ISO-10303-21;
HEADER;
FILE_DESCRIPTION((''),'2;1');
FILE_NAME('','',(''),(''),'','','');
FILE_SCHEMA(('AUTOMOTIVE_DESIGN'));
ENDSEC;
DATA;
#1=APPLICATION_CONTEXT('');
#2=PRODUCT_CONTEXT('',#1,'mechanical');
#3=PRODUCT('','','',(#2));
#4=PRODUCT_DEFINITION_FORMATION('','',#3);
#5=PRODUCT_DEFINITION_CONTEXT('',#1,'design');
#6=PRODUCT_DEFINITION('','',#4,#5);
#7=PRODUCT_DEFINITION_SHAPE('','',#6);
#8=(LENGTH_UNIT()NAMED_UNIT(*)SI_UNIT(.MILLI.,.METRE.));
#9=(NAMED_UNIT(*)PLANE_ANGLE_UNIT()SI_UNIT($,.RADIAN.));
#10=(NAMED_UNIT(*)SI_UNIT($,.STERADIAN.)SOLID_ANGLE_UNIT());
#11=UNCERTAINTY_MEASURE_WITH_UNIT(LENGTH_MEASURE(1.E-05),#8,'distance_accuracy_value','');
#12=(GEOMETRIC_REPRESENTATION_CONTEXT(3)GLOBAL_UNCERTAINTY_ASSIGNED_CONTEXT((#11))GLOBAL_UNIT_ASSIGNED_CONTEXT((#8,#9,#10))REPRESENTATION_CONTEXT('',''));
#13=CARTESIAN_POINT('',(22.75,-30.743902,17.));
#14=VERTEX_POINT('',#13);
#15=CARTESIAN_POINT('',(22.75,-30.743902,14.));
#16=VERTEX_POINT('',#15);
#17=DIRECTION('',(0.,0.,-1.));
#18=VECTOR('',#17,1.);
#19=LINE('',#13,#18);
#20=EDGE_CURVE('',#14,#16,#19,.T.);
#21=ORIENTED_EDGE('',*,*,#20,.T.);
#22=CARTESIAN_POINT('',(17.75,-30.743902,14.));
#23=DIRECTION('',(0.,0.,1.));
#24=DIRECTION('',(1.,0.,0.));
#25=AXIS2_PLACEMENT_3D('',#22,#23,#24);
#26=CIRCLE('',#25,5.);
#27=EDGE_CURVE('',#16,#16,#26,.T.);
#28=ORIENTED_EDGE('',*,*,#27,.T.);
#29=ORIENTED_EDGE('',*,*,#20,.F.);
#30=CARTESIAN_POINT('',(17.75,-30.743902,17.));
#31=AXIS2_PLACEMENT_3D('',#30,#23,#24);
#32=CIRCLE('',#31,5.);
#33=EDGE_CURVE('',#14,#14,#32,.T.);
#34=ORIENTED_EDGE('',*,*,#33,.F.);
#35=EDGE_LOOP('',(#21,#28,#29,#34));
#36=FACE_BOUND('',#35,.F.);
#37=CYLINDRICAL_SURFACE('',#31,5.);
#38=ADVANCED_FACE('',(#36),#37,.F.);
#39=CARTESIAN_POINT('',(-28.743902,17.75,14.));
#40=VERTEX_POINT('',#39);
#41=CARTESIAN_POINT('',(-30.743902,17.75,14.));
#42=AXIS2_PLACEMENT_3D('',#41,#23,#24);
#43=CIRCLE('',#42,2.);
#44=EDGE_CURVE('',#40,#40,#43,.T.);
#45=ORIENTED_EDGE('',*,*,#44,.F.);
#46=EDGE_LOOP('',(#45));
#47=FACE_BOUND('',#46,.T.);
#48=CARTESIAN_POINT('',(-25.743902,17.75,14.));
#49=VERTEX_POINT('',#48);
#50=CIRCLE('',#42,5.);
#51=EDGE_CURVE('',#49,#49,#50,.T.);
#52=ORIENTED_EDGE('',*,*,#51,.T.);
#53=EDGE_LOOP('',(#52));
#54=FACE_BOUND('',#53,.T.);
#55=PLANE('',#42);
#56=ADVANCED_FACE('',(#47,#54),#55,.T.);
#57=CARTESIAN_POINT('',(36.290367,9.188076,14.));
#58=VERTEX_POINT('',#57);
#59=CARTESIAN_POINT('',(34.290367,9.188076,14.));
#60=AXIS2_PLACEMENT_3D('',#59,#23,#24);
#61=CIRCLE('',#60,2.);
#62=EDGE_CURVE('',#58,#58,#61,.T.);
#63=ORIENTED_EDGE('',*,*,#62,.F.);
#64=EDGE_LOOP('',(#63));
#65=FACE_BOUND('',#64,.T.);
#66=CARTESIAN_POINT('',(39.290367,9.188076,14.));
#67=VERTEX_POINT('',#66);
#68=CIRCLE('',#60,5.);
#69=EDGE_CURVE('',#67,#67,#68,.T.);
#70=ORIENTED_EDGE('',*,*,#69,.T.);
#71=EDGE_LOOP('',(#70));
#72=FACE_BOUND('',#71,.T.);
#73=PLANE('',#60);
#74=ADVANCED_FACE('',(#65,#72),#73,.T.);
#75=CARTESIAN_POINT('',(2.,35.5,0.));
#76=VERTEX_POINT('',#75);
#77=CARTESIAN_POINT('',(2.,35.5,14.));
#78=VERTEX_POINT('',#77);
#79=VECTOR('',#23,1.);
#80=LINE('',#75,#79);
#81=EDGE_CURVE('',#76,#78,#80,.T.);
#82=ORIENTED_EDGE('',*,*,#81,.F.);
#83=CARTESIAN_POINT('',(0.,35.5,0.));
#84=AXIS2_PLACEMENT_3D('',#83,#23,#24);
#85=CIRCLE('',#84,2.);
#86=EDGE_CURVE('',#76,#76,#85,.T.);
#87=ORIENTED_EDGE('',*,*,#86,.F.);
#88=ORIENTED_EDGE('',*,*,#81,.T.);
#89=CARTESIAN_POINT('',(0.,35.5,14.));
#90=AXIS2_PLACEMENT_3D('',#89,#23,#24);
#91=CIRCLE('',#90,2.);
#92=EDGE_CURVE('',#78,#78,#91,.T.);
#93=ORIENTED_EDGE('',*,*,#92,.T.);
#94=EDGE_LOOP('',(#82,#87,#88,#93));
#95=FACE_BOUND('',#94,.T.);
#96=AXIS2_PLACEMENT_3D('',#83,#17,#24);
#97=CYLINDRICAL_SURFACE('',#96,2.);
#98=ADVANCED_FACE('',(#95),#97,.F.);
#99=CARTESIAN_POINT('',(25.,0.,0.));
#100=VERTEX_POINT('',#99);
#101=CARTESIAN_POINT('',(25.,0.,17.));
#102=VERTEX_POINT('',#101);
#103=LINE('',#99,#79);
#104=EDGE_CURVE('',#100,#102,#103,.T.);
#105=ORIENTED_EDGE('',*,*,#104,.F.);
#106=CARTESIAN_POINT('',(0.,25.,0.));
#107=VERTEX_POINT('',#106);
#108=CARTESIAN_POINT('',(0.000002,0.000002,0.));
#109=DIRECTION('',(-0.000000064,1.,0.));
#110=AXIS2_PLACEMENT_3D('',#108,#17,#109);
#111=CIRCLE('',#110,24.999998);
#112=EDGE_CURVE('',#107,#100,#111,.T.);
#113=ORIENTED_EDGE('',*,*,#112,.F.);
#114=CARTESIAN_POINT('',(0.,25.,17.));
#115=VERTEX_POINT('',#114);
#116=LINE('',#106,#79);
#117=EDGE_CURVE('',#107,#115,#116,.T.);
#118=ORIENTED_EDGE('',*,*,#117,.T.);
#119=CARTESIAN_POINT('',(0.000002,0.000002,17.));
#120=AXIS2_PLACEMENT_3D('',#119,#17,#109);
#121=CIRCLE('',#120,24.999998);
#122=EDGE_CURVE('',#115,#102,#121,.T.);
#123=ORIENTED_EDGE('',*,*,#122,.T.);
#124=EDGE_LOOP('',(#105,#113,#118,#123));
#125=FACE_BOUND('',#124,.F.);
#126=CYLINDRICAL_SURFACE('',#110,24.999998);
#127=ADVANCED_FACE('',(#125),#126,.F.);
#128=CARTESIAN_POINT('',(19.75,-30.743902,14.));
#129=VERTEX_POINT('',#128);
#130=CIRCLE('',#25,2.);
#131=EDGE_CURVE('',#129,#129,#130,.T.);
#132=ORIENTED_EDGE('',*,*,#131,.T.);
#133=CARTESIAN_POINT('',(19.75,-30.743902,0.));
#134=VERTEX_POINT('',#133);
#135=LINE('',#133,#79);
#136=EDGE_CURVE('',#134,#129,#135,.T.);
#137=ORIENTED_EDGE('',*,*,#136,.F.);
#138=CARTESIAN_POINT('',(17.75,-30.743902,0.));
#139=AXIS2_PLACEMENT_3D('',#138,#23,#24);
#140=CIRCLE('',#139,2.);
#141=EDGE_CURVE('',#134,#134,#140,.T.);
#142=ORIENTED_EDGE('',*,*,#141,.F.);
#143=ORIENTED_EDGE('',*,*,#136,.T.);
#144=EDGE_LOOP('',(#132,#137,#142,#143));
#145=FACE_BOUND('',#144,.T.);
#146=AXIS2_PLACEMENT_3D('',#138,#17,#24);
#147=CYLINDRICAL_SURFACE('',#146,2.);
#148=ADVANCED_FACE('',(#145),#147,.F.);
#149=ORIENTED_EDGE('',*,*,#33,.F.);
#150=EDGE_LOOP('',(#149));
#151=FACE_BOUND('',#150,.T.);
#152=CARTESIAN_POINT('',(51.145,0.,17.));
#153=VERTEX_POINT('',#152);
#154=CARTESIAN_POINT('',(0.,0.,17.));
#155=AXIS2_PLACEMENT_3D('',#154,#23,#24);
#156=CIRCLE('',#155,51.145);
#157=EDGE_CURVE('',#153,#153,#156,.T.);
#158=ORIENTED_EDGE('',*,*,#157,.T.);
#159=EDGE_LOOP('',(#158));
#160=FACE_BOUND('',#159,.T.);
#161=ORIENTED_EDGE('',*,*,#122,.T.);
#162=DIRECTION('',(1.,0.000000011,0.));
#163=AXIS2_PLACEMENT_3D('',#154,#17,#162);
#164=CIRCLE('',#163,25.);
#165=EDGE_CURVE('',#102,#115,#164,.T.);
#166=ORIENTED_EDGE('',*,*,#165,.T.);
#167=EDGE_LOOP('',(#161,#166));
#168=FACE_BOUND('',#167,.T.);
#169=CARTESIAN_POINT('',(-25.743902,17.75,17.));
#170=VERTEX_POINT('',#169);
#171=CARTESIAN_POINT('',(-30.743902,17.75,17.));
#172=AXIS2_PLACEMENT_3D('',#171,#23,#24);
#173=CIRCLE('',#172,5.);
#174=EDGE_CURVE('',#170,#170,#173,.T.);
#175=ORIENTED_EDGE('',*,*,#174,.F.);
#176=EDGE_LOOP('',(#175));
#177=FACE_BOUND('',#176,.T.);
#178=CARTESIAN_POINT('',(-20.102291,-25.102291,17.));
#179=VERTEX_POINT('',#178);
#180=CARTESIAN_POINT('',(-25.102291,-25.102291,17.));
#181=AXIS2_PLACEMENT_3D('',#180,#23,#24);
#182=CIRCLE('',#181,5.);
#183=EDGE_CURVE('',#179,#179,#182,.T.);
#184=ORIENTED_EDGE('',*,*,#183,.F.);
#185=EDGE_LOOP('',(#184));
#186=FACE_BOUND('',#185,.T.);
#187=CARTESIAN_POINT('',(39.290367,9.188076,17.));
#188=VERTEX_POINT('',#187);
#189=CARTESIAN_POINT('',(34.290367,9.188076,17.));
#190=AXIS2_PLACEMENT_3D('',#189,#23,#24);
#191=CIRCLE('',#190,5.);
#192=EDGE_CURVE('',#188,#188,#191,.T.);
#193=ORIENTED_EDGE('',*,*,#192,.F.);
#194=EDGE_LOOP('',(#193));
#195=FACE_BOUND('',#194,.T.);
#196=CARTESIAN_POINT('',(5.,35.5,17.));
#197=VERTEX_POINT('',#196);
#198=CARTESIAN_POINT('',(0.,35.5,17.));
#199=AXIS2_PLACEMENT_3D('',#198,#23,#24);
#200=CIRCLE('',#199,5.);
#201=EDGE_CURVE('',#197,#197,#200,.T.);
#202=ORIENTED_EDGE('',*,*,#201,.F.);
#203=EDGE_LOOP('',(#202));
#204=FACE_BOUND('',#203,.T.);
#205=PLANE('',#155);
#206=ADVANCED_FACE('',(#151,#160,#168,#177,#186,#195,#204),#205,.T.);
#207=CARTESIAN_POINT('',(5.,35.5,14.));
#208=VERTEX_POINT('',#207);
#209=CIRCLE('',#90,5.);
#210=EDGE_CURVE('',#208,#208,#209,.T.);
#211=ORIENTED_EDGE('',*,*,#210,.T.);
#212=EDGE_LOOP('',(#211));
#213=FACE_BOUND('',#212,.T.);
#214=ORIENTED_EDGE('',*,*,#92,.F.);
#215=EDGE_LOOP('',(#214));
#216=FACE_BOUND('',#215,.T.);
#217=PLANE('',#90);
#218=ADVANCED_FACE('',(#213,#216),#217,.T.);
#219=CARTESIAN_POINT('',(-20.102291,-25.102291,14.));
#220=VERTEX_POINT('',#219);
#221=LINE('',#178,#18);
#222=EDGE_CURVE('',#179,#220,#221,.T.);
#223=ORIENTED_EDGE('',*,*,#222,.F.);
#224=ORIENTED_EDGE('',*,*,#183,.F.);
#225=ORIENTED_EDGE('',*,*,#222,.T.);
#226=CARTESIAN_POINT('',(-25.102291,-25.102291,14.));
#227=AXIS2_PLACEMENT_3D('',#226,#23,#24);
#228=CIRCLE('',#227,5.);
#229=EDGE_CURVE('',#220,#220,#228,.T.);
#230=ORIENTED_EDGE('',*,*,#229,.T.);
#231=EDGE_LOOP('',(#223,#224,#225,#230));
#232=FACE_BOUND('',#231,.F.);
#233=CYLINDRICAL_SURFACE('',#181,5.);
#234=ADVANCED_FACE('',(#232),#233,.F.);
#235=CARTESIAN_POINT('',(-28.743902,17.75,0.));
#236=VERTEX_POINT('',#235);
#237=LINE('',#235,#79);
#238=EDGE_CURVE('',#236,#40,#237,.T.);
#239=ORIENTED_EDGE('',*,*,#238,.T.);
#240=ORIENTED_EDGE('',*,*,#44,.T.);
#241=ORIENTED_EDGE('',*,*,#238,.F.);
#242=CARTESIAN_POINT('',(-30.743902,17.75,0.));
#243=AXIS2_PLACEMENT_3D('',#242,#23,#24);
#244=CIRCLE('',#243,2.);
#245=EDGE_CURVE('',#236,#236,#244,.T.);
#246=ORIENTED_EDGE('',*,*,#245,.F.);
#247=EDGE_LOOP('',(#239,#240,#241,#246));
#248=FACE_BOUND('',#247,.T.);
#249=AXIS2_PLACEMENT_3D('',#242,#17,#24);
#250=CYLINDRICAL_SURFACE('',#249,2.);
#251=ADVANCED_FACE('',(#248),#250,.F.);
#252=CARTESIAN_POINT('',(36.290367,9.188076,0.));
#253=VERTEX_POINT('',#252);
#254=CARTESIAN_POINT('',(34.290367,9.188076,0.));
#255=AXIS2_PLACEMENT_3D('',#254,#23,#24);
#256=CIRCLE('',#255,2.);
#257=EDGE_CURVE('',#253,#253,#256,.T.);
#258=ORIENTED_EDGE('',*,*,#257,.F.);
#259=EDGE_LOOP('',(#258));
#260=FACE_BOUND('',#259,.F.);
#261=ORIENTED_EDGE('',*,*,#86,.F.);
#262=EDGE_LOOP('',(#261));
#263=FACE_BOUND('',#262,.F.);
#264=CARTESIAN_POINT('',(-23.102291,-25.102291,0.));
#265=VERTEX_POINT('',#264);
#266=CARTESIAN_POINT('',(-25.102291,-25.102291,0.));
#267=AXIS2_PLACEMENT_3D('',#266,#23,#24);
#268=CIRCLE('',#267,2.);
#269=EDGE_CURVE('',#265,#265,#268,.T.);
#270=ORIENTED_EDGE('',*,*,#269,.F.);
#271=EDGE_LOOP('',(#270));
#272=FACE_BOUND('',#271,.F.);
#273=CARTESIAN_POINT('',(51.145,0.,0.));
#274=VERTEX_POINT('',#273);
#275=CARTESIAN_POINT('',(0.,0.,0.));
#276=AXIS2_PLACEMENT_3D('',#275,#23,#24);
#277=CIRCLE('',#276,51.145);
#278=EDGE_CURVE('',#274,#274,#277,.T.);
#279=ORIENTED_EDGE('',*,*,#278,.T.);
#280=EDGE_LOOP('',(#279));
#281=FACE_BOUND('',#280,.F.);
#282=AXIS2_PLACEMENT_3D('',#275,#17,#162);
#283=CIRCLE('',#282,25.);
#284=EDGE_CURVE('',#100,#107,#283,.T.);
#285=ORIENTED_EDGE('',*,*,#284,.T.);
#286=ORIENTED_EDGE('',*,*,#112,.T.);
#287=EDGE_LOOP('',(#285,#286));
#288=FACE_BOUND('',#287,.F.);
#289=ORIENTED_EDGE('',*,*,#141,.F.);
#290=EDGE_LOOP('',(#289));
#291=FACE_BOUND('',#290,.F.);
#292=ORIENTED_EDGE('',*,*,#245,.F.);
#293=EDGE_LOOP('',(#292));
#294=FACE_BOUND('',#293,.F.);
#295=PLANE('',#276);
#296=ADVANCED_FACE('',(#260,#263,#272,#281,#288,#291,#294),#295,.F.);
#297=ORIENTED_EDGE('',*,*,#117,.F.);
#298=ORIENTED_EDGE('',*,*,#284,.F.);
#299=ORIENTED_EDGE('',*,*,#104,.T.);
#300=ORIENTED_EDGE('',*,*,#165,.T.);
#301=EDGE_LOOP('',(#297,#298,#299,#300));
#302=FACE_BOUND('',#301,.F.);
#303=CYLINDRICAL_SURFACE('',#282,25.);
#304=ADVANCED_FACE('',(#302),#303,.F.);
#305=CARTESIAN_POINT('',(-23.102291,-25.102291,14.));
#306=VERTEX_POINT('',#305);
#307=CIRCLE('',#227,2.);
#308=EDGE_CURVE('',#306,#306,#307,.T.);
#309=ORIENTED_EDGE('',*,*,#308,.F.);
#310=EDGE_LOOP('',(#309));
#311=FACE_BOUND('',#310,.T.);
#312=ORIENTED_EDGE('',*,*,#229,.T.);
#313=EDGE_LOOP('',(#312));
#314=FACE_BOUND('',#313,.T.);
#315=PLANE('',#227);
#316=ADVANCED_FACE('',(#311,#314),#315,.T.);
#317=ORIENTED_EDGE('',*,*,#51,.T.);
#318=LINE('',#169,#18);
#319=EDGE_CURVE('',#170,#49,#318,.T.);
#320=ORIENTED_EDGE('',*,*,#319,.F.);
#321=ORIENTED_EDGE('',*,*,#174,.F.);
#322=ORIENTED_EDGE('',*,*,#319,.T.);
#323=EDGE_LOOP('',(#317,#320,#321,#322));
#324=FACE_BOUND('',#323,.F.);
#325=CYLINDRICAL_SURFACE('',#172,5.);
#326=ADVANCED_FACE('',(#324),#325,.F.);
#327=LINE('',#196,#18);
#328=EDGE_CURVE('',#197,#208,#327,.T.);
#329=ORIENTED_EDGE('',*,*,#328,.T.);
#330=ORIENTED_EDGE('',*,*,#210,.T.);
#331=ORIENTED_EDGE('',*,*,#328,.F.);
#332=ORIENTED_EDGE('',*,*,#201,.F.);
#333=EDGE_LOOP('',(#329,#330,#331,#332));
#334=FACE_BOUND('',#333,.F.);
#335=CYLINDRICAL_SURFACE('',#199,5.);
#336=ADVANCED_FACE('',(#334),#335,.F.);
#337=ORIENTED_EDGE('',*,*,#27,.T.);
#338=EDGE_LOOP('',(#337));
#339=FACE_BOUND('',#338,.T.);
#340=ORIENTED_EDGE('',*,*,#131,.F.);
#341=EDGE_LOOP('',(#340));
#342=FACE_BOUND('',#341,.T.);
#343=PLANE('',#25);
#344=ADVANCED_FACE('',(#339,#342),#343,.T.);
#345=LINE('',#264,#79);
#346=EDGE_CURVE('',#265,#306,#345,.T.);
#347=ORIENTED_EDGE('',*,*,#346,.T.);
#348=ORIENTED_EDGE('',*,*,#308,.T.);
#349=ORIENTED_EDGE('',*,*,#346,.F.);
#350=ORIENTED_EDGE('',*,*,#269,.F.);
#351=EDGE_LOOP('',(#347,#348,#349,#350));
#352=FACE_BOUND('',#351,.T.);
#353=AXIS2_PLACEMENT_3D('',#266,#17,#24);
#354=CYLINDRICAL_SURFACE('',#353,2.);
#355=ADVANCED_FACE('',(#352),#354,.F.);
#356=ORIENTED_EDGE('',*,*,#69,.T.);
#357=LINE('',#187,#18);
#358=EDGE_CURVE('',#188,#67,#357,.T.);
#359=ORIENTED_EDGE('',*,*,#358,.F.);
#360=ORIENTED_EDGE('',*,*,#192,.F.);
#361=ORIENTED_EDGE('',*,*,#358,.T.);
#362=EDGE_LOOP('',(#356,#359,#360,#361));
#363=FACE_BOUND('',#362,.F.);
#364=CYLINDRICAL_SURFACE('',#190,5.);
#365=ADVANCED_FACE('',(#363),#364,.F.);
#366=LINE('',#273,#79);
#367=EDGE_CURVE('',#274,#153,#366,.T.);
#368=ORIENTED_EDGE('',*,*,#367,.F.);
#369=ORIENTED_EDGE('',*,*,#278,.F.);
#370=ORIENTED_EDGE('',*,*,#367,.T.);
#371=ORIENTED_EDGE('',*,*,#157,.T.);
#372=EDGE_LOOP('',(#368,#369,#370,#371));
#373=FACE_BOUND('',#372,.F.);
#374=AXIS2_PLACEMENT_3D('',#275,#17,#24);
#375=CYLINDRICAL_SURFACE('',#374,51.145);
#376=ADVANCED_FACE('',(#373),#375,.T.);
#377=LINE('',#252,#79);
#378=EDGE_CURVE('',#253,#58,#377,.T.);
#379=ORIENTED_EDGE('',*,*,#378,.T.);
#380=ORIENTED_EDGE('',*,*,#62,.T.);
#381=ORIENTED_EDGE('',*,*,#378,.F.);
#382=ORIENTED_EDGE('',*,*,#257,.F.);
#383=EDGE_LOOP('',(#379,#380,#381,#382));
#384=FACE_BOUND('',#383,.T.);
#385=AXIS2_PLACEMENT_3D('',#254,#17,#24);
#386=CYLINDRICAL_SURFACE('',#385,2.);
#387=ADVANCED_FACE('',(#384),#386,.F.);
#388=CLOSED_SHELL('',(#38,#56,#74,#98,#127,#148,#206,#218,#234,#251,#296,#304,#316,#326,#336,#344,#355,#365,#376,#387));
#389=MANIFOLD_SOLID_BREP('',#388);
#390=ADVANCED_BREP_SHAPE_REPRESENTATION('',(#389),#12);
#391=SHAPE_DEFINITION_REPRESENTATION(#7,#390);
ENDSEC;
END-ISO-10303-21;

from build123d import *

# Parameters (mm, degrees)
F0_R     = 51.145
F0_R_2   = 2
F1_DEPTH = 17
F2_R     = 5
F2_R_2   = 2
F3_DEPTH = 3


with BuildPart() as f1:
    # F0 (on Top) → F1 (new body)
    with BuildSketch(Plane.XY):
        Circle(F0_R)
        with Locations((-25.102291, -25.102291)):
            Circle(F0_R_2, mode=Mode.SUBTRACT)
        with BuildLine():
            ThreePointArc((0, 25), (17.67767, 17.67767), (25, 0))
            ThreePointArc((25, 0), (-17.67767, -17.67767), (0, 25))
        make_face(mode=Mode.SUBTRACT)
        with Locations((17.75, -30.743902)):
            Circle(F0_R_2, mode=Mode.SUBTRACT)
        with Locations((-30.743902, 17.75)):
            Circle(F0_R_2, mode=Mode.SUBTRACT)
        with Locations((0, 35.5)):
            Circle(F0_R_2, mode=Mode.SUBTRACT)
        with Locations((34.290367, 9.188076)):
            Circle(F0_R_2, mode=Mode.SUBTRACT)
    extrude(amount=F1_DEPTH)

    # F2 (on face) → F3 (cut)
    with BuildSketch(Plane.XY.offset(17)):
        with Locations((0, 35.5)):
            Circle(F2_R)
        with Locations((0, 35.5)):
            Circle(F2_R_2, mode=Mode.SUBTRACT)
        with Locations((-30.743902, 17.75)):
            Circle(F2_R)
        with Locations((-30.743902, 17.75)):
            Circle(F2_R_2, mode=Mode.SUBTRACT)
        with Locations((-25.102291, -25.102291)):
            Circle(F2_R)
        with Locations((-25.102291, -25.102291)):
            Circle(F2_R_2, mode=Mode.SUBTRACT)
        with Locations((17.75, -30.743902)):
            Circle(F2_R)
        with Locations((17.75, -30.743902)):
            Circle(F2_R_2, mode=Mode.SUBTRACT)
        with Locations((34.290367, 9.188076)):
            Circle(F2_R)
        with Locations((34.290367, 9.188076)):
            Circle(F2_R_2, mode=Mode.SUBTRACT)
    extrude(amount=-F3_DEPTH, mode=Mode.SUBTRACT)


solid = f1.part
